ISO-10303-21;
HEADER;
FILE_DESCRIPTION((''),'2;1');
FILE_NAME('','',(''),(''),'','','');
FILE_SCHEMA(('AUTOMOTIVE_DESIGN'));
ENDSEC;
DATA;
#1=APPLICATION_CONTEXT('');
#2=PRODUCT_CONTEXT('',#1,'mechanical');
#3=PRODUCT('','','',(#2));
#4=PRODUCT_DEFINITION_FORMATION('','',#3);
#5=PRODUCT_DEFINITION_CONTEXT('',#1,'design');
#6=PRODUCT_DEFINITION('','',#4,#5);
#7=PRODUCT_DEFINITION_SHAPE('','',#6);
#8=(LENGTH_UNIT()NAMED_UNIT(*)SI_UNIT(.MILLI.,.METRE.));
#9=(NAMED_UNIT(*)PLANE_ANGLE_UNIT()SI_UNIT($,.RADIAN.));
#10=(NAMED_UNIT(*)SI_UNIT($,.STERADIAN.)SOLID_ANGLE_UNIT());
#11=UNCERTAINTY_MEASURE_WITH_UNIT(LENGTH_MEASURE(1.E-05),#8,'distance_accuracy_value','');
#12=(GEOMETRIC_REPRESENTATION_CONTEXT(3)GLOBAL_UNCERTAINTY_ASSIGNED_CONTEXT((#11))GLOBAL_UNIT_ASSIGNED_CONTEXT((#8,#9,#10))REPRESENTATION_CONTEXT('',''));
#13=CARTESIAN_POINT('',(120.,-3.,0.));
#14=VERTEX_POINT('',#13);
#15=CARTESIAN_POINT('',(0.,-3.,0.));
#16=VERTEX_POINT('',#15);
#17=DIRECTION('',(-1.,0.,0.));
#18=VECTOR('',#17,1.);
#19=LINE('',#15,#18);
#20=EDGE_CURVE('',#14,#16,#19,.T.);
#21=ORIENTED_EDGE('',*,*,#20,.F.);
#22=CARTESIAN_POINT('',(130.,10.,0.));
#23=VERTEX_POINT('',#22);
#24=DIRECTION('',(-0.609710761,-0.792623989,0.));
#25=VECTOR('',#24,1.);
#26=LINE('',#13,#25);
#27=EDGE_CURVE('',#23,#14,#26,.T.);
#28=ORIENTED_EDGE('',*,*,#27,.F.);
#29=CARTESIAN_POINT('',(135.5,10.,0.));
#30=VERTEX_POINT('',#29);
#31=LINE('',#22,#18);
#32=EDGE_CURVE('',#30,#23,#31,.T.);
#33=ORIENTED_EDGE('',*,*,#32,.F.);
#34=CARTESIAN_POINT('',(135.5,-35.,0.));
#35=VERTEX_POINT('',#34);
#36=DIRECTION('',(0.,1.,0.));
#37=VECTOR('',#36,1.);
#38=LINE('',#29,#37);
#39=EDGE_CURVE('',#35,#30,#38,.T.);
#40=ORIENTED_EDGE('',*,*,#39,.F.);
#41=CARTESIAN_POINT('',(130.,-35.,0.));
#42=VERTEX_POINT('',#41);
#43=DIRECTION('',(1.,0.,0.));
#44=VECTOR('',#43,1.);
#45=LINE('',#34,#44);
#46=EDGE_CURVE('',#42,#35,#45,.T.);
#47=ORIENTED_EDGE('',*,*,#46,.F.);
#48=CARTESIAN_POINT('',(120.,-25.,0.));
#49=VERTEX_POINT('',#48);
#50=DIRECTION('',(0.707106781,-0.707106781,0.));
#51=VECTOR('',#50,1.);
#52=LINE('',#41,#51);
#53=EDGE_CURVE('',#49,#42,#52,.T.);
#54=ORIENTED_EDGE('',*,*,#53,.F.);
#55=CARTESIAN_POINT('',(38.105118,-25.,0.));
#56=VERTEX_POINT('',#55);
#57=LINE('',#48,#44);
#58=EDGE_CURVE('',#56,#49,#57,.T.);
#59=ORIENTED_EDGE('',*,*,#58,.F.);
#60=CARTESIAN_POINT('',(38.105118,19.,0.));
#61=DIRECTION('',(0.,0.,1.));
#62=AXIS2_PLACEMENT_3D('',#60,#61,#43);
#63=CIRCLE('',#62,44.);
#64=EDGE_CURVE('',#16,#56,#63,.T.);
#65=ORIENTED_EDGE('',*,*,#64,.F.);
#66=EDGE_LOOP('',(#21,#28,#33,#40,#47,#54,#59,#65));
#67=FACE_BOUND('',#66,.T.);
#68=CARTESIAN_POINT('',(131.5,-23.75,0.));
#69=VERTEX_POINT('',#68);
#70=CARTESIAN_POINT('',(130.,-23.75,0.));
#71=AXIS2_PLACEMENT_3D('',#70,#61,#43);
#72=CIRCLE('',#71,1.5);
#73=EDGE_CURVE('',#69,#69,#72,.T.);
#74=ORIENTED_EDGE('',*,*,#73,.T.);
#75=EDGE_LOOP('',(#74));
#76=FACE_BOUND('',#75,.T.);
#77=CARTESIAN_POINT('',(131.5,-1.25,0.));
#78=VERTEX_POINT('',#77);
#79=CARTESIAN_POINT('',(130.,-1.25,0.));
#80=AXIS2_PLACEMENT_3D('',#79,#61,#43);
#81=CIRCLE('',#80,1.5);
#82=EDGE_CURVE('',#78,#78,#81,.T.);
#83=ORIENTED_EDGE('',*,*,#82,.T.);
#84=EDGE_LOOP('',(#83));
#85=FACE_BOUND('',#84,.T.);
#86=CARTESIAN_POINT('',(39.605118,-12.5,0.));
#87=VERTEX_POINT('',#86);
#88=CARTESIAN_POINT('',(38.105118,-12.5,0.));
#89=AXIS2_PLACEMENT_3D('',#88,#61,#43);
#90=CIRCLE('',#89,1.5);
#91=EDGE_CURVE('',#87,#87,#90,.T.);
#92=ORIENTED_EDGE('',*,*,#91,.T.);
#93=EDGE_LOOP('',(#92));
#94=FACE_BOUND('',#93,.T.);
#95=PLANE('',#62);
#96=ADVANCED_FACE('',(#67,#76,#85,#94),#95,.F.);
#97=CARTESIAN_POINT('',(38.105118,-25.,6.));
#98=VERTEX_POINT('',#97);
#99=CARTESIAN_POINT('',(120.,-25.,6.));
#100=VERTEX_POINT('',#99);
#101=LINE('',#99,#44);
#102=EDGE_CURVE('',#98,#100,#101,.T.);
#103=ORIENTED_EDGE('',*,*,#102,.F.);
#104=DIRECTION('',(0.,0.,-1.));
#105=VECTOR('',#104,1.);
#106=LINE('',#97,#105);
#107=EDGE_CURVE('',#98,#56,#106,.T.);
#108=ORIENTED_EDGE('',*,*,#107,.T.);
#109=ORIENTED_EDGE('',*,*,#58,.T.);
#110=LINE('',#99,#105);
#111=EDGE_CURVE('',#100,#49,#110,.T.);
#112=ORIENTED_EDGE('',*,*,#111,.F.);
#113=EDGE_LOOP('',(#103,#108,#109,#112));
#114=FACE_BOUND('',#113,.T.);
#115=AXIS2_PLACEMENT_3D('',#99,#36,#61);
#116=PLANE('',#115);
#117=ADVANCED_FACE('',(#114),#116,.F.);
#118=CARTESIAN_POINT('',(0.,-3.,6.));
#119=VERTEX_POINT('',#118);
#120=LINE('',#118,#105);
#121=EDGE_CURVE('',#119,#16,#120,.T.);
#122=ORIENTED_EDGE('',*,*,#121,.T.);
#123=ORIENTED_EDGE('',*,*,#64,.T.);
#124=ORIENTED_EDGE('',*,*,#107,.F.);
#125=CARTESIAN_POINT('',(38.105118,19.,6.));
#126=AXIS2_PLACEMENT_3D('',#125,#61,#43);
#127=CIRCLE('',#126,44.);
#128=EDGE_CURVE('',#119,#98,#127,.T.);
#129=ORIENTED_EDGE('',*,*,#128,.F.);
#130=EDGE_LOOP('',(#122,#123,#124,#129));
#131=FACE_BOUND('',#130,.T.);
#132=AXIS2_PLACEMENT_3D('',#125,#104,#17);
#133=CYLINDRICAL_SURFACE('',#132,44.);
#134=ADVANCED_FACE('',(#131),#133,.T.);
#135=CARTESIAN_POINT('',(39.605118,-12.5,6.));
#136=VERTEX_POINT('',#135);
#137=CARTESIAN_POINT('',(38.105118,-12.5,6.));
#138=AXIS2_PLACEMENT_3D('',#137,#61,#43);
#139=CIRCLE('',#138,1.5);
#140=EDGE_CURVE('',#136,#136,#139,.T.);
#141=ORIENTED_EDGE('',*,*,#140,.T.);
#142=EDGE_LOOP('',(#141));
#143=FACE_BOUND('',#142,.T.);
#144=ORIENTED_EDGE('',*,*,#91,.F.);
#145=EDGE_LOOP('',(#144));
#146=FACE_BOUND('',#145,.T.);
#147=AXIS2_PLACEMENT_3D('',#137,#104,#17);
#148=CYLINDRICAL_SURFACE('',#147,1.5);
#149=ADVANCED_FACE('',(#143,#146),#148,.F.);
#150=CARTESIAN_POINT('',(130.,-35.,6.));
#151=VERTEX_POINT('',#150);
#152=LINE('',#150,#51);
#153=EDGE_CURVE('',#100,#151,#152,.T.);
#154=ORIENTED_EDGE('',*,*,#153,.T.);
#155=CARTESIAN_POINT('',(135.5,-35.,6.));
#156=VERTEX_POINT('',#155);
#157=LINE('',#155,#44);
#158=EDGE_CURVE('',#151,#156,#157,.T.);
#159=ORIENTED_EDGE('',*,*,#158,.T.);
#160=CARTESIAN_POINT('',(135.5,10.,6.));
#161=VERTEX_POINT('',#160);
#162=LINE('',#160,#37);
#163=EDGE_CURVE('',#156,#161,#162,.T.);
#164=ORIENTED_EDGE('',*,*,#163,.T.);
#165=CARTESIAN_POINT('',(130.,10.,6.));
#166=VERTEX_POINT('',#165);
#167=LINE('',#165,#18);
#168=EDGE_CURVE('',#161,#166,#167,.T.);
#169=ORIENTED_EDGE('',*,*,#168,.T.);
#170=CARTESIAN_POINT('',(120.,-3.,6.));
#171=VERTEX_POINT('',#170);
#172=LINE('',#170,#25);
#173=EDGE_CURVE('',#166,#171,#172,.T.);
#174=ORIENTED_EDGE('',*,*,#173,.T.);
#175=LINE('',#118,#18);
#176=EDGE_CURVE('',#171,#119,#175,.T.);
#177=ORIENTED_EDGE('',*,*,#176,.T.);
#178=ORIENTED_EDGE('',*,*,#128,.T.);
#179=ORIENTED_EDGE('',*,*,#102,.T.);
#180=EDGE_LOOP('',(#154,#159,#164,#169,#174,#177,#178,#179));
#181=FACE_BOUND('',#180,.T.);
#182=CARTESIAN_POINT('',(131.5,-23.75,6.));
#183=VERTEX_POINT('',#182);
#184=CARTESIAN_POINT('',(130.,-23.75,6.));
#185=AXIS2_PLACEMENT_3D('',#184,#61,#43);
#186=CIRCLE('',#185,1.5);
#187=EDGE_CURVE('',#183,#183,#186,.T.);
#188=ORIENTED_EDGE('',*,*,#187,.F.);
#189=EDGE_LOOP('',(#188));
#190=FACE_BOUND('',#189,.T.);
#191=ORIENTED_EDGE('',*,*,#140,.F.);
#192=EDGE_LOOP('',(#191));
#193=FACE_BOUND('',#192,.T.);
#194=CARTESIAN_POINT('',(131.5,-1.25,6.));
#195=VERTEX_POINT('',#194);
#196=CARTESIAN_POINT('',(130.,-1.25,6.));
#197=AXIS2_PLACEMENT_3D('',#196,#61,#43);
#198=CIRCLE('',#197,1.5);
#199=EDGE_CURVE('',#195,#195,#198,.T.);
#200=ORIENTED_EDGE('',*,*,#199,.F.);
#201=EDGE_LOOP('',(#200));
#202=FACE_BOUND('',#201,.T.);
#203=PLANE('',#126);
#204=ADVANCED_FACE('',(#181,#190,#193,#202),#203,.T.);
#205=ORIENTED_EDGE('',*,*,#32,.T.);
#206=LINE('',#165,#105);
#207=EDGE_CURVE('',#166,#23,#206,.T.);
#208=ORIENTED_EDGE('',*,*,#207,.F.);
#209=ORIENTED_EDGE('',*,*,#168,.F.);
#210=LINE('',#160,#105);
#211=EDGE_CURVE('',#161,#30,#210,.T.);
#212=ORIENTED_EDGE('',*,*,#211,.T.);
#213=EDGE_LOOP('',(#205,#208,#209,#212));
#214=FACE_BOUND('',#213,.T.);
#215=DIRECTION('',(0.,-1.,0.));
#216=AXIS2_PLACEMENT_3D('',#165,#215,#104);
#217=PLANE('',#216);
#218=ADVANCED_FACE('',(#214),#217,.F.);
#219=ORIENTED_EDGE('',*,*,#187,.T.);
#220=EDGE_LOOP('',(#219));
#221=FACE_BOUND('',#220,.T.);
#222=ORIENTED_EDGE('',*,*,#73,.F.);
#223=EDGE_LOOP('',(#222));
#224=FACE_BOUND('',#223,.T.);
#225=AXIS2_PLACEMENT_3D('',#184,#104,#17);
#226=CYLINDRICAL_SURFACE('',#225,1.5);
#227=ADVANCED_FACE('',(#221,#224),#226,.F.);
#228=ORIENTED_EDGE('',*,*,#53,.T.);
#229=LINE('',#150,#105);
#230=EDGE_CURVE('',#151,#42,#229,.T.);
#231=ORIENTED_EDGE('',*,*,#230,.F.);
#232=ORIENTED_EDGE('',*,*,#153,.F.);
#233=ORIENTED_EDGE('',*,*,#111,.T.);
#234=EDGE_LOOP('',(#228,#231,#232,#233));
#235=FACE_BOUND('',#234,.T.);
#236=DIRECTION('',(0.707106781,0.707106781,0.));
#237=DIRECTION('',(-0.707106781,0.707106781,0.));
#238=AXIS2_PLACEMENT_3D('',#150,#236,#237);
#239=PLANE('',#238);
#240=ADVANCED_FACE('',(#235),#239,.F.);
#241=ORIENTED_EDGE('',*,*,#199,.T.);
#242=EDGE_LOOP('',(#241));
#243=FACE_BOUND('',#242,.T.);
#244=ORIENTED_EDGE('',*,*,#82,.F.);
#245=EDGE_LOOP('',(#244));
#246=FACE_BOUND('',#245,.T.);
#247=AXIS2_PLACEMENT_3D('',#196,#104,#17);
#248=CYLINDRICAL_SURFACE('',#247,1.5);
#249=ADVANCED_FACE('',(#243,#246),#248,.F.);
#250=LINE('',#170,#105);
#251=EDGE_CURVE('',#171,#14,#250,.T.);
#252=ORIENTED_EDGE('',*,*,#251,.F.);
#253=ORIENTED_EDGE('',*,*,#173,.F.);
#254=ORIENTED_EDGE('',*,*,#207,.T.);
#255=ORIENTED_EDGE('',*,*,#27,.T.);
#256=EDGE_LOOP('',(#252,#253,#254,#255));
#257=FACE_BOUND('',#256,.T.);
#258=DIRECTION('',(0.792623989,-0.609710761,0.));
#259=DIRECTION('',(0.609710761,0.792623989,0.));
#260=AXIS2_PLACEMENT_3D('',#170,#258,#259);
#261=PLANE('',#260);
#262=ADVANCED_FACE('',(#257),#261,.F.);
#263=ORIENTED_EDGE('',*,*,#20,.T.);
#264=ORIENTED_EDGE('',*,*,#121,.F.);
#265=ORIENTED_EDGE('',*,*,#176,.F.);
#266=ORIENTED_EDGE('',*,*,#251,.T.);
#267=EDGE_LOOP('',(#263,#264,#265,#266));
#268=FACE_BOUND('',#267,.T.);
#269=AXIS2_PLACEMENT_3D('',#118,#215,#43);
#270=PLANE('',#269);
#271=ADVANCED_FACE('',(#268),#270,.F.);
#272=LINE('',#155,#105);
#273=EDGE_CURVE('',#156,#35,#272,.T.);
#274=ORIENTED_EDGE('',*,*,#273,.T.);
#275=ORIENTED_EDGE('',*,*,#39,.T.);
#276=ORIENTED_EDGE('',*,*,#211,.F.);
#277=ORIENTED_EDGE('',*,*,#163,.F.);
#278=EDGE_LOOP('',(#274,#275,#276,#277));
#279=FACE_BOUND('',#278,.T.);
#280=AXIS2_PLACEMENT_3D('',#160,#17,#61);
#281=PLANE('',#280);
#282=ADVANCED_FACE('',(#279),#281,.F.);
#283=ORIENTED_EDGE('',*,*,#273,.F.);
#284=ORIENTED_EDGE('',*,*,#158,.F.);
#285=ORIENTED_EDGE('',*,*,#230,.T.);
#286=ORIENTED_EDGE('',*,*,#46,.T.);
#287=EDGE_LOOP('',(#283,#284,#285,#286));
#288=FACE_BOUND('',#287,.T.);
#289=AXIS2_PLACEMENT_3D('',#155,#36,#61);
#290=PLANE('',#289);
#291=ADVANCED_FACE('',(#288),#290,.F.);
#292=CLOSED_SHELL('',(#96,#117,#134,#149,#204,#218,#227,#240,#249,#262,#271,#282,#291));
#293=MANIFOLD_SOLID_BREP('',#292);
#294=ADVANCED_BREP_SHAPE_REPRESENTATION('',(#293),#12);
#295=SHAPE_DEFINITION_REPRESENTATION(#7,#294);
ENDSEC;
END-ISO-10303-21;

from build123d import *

# Parameters (mm, degrees)
SKETCH1_R           = 1.5
BOSS_EXTRUDE1_DEPTH = 6


with BuildPart() as part:
    # Sketch1 → Boss-Extrude1 (new body)
    with BuildSketch(Plane.XY):
        with BuildLine():
            Line((0, -3), (120, -3))
            Line((120, -3), (130, 10))
            Line((130, 10), (135.5, 10))
            Line((135.5, 10), (135.5, -35))
            Line((135.5, -35), (130, -35))
            Line((130, -35), (120, -25))
            Line((120, -25), (38.105117767, -25))
            ThreePointArc((38.105117767, -25), (16.105117767, -19.105117767), (0, -3))
        make_face()
        with Locations((130, -1.25)):
            Circle(SKETCH1_R, mode=Mode.SUBTRACT)
        with Locations((130, -23.75)):
            Circle(SKETCH1_R, mode=Mode.SUBTRACT)
        with Locations((38.105117767, -12.5)):
            Circle(SKETCH1_R, mode=Mode.SUBTRACT)
    extrude(amount=BOSS_EXTRUDE1_DEPTH)


solid = part.part
